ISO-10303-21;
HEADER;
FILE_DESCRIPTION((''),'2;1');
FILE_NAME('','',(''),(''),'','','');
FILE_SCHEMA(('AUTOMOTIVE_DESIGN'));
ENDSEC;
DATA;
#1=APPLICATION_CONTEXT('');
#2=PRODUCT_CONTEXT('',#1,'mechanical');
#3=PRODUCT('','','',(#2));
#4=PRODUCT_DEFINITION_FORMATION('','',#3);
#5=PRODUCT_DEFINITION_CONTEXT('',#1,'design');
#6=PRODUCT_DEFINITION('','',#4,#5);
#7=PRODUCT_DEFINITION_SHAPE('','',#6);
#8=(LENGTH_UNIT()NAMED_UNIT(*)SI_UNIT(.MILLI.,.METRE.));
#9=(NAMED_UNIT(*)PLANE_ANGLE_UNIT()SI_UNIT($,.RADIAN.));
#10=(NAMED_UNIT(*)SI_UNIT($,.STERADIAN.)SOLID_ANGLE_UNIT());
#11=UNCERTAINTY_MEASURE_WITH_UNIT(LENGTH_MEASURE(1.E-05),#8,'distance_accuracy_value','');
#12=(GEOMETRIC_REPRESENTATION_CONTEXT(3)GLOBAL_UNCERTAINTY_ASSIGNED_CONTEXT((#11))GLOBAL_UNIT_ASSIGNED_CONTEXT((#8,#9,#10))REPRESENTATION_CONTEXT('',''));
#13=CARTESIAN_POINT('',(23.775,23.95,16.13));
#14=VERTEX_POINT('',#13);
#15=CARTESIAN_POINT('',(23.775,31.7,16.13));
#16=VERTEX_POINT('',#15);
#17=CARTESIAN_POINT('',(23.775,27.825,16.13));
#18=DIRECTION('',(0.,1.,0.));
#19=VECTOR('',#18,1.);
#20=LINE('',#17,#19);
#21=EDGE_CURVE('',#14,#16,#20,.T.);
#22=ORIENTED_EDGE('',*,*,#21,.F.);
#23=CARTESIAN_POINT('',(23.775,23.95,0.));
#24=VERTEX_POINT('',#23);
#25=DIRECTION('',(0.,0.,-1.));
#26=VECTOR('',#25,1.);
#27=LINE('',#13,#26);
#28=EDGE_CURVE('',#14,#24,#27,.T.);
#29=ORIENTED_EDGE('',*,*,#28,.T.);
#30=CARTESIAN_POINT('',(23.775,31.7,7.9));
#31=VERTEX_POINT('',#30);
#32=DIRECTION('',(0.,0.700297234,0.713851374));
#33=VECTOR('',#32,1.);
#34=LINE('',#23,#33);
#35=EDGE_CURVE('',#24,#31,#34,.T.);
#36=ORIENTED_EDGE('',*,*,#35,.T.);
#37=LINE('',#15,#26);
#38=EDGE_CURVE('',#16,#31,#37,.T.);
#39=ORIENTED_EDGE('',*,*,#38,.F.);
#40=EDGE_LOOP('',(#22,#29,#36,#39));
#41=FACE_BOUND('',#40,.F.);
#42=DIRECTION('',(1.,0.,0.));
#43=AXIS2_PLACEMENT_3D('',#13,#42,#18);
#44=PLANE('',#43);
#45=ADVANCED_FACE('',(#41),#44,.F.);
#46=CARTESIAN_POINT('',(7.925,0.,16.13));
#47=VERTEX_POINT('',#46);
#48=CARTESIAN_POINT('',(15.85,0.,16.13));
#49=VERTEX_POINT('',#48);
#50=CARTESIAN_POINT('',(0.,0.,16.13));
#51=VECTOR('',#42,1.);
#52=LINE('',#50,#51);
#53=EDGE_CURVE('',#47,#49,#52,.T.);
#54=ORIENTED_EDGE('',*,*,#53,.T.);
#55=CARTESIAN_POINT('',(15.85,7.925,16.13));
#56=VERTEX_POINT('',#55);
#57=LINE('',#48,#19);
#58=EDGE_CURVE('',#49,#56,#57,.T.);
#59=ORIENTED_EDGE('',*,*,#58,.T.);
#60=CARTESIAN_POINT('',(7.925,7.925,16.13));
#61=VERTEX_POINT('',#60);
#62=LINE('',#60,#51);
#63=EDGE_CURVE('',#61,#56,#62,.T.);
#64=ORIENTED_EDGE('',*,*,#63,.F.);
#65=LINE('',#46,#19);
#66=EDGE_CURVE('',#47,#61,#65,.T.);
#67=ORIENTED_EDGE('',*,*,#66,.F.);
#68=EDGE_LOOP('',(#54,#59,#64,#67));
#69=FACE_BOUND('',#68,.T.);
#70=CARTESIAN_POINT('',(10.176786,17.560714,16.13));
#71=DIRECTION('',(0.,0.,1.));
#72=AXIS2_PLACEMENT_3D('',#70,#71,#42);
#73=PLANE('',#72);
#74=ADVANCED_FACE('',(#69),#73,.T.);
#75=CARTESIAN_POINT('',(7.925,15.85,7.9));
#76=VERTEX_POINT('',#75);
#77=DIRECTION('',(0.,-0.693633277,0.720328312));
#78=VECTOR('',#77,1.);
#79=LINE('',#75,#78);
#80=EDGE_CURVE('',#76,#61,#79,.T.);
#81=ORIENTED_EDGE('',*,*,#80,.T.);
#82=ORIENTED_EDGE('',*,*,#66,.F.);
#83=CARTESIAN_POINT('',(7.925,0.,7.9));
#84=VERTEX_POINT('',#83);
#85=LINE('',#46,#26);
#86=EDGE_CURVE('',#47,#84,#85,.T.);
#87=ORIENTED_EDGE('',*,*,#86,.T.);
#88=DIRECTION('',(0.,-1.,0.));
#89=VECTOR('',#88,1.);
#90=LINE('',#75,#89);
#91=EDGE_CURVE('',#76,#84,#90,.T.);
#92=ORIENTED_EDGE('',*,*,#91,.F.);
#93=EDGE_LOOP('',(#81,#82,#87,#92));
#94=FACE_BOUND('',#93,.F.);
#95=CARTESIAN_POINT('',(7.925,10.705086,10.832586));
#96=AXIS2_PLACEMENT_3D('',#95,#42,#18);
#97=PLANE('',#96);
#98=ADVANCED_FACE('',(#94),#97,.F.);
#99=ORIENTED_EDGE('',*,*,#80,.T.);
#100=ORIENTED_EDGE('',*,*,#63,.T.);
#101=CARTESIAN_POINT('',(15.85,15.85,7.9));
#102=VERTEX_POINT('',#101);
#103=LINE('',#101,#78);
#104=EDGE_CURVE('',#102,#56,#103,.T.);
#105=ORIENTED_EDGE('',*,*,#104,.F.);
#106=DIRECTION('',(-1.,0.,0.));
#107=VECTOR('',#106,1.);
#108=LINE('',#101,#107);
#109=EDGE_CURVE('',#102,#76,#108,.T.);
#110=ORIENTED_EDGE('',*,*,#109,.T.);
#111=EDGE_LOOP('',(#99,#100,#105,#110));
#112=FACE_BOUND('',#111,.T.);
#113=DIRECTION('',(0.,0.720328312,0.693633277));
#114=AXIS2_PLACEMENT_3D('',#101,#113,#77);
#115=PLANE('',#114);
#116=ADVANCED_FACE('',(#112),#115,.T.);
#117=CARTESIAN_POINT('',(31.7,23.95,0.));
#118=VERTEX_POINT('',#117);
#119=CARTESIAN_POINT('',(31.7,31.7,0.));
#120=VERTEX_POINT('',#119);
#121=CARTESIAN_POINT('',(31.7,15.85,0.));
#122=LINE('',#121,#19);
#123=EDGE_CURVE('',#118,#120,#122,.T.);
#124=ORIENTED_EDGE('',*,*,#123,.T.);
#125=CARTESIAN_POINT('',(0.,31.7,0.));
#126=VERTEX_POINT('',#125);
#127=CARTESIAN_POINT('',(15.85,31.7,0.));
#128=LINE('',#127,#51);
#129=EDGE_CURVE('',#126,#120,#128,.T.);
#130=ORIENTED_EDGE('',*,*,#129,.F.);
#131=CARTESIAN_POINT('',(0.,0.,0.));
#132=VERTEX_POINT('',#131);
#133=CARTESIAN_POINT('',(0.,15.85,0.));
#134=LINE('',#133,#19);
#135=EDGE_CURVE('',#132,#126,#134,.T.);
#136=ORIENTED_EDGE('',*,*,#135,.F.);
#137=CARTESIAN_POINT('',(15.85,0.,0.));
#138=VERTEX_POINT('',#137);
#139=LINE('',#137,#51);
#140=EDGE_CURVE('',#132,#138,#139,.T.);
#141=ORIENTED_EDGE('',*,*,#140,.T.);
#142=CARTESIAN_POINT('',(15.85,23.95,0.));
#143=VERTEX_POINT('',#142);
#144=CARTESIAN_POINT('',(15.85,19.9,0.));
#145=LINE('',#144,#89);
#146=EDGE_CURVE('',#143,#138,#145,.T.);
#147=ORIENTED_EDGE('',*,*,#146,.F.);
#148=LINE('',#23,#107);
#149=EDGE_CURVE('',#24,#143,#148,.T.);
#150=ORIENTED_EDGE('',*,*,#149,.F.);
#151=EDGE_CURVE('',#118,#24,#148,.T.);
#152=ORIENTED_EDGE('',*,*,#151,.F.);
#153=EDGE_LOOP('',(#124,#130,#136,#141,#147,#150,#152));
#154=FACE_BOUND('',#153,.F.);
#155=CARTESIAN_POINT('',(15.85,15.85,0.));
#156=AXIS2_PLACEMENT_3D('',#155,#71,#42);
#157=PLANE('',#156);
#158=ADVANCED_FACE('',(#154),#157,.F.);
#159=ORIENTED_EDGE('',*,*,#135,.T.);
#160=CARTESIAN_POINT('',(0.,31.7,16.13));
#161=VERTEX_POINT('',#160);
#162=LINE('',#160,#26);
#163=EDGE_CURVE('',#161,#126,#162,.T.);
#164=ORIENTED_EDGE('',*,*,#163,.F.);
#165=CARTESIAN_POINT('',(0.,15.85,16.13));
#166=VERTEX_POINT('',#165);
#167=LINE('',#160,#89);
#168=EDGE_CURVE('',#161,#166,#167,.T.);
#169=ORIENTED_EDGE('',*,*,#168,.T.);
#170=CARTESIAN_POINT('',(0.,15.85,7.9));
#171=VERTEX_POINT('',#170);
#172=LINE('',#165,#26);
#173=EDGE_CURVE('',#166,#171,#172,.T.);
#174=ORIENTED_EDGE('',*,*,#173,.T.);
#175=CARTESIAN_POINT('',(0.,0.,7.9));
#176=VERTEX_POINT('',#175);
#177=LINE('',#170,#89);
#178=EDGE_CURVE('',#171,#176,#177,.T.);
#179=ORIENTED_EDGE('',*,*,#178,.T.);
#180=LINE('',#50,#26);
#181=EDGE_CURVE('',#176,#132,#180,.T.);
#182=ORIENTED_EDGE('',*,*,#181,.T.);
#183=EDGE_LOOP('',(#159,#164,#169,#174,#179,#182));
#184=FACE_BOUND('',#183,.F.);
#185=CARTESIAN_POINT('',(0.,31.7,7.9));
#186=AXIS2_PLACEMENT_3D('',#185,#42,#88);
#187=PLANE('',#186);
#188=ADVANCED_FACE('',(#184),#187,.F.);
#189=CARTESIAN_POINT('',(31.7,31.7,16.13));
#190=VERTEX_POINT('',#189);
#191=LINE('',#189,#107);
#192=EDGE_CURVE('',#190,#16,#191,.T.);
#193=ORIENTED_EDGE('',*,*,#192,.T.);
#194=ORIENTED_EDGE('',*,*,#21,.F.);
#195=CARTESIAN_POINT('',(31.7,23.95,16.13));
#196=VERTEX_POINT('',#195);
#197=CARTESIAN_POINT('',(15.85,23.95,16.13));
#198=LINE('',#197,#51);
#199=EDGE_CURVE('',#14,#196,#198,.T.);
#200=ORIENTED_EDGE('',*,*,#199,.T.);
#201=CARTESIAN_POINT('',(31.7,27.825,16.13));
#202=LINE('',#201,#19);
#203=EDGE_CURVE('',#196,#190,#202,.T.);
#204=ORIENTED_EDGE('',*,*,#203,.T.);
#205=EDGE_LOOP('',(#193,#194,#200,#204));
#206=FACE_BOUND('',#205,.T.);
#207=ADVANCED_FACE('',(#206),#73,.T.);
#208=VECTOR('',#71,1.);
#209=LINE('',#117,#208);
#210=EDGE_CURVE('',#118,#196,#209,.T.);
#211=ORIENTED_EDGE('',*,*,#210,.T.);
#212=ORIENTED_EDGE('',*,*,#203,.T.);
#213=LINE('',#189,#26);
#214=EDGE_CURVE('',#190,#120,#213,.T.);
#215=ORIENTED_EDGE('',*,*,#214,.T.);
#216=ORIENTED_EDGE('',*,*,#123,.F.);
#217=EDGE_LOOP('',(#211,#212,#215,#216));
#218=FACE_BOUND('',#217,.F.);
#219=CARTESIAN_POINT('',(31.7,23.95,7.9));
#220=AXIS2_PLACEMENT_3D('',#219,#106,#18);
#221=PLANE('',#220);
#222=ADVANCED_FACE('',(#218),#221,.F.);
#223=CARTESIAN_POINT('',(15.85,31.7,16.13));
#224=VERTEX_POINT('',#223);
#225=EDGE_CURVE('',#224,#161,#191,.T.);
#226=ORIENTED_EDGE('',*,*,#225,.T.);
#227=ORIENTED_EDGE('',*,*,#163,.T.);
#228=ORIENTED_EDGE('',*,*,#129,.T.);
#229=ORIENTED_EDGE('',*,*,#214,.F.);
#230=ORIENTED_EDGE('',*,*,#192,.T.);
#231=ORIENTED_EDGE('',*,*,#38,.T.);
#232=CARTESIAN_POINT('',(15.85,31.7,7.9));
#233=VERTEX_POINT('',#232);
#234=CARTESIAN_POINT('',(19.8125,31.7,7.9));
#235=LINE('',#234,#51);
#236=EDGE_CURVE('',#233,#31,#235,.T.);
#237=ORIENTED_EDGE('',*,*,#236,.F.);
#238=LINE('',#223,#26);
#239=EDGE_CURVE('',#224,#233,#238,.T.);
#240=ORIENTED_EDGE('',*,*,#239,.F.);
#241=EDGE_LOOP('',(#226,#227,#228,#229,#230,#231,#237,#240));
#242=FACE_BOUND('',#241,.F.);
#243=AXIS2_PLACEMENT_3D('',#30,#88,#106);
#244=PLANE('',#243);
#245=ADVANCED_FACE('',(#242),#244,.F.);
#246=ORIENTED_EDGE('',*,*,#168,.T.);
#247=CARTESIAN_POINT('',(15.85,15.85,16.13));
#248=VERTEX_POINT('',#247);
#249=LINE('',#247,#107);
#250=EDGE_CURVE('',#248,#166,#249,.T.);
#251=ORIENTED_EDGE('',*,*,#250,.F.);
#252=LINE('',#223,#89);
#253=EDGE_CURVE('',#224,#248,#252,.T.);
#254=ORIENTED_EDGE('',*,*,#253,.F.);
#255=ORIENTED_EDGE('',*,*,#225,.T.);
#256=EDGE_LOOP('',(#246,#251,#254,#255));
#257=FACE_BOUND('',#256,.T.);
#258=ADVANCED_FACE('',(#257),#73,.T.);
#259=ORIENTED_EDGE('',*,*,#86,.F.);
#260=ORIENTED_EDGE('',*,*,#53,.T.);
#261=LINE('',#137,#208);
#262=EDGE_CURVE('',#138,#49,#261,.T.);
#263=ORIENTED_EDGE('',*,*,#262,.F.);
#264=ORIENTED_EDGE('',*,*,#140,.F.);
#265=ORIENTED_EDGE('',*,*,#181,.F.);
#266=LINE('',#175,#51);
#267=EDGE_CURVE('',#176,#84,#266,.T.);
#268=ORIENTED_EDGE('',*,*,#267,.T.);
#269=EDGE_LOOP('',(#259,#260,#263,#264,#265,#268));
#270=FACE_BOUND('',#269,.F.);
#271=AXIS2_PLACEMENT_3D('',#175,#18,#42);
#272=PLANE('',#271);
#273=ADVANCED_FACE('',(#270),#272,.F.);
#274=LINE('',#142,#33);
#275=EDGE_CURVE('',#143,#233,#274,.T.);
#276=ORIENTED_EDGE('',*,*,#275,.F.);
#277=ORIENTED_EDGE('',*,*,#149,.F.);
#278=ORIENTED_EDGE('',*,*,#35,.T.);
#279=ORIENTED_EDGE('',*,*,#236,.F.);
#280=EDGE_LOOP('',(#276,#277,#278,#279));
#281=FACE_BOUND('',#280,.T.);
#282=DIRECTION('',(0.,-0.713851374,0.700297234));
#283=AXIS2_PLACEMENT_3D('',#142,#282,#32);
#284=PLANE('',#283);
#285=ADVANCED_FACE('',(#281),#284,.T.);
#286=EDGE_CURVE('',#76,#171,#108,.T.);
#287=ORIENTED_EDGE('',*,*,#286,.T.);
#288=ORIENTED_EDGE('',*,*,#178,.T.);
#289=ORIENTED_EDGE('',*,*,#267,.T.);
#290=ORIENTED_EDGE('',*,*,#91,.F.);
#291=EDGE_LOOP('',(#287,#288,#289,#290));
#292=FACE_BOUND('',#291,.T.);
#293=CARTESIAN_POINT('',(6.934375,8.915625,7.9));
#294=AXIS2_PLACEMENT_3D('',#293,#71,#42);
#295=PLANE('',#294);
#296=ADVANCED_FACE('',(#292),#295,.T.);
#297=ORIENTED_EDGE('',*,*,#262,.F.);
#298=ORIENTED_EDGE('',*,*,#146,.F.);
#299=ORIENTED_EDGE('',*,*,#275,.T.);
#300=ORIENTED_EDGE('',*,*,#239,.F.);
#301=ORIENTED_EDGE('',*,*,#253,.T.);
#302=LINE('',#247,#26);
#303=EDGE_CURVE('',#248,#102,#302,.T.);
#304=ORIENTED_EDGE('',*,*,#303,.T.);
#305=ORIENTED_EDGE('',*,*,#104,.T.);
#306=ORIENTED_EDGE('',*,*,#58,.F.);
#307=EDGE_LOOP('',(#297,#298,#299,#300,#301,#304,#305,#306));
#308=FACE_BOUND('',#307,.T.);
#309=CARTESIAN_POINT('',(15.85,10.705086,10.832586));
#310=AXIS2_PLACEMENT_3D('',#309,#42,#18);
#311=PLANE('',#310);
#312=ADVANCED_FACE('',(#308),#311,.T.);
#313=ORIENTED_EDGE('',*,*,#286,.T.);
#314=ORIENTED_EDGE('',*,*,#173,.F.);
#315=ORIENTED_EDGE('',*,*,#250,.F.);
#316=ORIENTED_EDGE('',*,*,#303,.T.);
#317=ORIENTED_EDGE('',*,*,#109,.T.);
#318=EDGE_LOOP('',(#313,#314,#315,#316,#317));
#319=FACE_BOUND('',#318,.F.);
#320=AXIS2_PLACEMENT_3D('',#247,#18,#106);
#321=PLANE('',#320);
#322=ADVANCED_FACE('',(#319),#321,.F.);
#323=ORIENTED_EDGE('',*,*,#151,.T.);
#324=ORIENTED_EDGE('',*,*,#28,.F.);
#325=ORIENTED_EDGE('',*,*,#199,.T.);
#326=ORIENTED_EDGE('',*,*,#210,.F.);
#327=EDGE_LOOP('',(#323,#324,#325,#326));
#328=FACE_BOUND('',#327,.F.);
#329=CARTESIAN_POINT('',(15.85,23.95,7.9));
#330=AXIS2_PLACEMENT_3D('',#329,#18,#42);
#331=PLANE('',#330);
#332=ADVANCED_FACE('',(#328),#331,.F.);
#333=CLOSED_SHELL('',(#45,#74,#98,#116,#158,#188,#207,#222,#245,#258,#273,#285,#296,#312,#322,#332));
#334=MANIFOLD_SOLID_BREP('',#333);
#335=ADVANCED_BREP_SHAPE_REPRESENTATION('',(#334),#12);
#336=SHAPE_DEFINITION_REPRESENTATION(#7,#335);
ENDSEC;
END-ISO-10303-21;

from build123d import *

# Parameters (mm, degrees)
F0_W      = 31.7
F0_H      = 31.7
F1_DEPTH  = 7.9
F3_DEPTH  = 7.901
F4_W      = 7.925
F4_H      = 7.75
F2_W      = 7.925
F2_H      = 7.75
F5_DEPTH  = 8.23
F6_DEPTH  = 8.23
F7_W      = 7.925
F7_H      = 7.75
F8_DEPTH  = 8.23
F10_DEPTH = 7.925
F12_DEPTH = 7.925


with BuildPart() as f1:
    # F0 (on Top) → F1 (new body)
    with BuildSketch(Plane.XY):
        with Locations((15.85, 15.85)):
            Rectangle(F0_W, F0_H)
    extrude(amount=F1_DEPTH)

    # F2 (on face) → F3 (cut, through all)
    with BuildSketch(Plane.XY.offset(7.9)):
        Polygon((15.85, 0), (31.7, 0), (31.7, 23.95), (23.775, 23.95), (15.85, 23.95), align=None)
    extrude(amount=-F3_DEPTH, mode=Mode.SUBTRACT)

    # F4 (on face) + F2 (on face) → F5 (join)
    with BuildSketch(Plane.XY.offset(7.9)):
        with Locations((27.7375, 27.825)):
            Rectangle(F4_W, F4_H)
    with BuildSketch(Plane.XY.offset(7.9)):
        with Locations((27.7375, 27.825)):
            Rectangle(F2_W, F2_H)
    extrude(amount=F5_DEPTH)

    # F2 (on face) → F6 (join)
    with BuildSketch(Plane.XY.offset(7.9)):
        Polygon((0, 0), (15.85, 0), (15.85, 23.95), (23.775, 23.95), (23.775, 31.7), (0, 31.7), align=None)
    extrude(amount=F6_DEPTH)

    # F7 (on face) → F8 (cut)
    with BuildSketch(Plane.XY.offset(16.13)):
        with Locations((19.8125, 27.825)):
            Rectangle(F7_W, F7_H)
        Polygon((0, 0), (7.925, 0), (7.925, 7.925), (15.85, 7.925), (15.85, 15.85), (0, 15.85), align=None)
    extrude(amount=-F8_DEPTH, mode=Mode.SUBTRACT)

    # F9 (on face) → F10 (join, through all)
    with BuildSketch(Plane.YZ.offset(15.85)):
        Polygon((15.85, 7.9), (7.925, 16.13), (7.925, 7.9), align=None)
    extrude(amount=-F10_DEPTH)

    # F11 (on face) → F12 (cut, through all)
    with BuildSketch(Plane.YZ.offset(15.85)):
        Polygon((23.95, 0), (31.7, 7.9), (23.95, 7.9), align=None)
    extrude(amount=F12_DEPTH, mode=Mode.SUBTRACT)


solid = f1.part
